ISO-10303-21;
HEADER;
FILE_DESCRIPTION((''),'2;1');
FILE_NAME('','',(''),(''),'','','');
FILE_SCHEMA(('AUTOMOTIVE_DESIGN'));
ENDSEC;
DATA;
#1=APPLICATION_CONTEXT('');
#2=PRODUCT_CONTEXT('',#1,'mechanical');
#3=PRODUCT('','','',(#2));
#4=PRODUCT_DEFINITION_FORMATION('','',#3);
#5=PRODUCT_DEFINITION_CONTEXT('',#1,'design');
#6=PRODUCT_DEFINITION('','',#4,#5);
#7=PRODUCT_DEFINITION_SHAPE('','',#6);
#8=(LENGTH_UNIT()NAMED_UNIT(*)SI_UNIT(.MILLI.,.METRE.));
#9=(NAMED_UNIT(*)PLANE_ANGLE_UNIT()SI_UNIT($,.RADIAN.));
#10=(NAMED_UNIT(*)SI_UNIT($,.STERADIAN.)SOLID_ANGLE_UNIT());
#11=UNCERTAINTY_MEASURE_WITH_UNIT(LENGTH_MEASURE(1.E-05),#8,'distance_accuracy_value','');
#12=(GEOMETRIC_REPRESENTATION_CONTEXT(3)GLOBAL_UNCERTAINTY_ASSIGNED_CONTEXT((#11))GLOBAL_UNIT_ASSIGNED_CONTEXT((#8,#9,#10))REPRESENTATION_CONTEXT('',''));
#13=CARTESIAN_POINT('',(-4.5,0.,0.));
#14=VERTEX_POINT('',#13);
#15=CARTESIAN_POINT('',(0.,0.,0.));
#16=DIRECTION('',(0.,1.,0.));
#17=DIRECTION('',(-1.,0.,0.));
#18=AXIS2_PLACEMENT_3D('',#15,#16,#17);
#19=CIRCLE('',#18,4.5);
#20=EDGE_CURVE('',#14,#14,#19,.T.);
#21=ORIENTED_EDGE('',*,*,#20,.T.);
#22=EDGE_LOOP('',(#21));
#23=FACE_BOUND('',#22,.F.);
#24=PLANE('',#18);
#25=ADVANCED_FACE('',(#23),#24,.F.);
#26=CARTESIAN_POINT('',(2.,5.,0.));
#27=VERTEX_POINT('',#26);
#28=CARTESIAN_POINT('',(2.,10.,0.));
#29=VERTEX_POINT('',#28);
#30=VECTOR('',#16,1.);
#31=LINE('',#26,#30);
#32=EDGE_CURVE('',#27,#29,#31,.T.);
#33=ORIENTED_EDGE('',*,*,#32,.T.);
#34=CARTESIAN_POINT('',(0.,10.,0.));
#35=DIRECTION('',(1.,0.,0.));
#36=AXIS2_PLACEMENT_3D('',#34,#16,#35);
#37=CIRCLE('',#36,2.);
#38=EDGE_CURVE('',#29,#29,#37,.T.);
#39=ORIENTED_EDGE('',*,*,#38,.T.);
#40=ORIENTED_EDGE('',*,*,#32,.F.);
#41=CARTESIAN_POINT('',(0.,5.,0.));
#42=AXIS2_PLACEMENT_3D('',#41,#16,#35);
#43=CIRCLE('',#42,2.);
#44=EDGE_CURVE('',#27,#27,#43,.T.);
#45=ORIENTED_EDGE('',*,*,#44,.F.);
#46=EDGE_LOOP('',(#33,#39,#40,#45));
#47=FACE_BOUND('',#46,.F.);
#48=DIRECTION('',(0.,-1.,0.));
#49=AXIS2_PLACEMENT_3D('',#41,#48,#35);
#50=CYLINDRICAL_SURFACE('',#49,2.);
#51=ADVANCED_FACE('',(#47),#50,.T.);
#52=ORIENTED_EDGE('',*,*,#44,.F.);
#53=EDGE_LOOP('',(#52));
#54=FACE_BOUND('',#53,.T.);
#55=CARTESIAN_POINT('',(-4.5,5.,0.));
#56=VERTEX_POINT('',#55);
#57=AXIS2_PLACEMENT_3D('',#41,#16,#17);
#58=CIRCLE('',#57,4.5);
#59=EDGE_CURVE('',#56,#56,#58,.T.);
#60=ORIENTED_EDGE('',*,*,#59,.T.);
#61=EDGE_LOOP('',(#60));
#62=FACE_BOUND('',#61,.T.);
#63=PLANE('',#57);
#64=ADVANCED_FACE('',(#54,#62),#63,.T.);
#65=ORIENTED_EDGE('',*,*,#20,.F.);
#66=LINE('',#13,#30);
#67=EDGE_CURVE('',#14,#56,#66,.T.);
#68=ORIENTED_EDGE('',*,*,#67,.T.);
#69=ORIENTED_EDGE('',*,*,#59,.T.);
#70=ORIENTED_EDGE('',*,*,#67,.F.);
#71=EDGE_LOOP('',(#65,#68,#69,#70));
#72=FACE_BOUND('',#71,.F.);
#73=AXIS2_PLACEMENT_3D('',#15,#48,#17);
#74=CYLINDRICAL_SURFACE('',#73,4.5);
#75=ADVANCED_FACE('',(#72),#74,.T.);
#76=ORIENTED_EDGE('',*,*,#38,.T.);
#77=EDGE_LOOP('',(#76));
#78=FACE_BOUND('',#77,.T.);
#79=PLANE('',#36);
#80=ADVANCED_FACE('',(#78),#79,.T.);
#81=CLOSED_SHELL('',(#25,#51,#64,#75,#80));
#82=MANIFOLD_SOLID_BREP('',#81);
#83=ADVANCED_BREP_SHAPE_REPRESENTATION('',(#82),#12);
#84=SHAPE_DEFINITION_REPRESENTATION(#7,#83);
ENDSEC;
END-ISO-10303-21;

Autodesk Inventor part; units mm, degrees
ref_plane "YZ Plane" through (0, 0, 0) normal (1, 0, 0) x (0, 1, 0)
ref_plane "XZ Plane" through (0, 0, 0) normal (0, 1, 0) x (-1, 0, 0)
ref_plane "XY Plane" through (0, 0, 0) normal (0, 0, 1) x (1, 0, 0)
sketch "Sketch1" plane through (0, 0, 0) normal (0, 1, 0) x (-1, 0, 0)
  circle A0 centre (0, 0) radius 4.5
  dimension "d0" = 9
extrude "Extrusion1" add sketch "Sketch1" along normal blind 5
sketch "Sketch2" plane through (0, 5, 0) normal (0, 1, 0) x (1, 0, 0)
  circle A0 centre (0, 0) radius 2
  dimension "d3" = 4
extrude "Extrusion2" add sketch "Sketch2" along normal blind 5
properties part number "Platform Pin"
